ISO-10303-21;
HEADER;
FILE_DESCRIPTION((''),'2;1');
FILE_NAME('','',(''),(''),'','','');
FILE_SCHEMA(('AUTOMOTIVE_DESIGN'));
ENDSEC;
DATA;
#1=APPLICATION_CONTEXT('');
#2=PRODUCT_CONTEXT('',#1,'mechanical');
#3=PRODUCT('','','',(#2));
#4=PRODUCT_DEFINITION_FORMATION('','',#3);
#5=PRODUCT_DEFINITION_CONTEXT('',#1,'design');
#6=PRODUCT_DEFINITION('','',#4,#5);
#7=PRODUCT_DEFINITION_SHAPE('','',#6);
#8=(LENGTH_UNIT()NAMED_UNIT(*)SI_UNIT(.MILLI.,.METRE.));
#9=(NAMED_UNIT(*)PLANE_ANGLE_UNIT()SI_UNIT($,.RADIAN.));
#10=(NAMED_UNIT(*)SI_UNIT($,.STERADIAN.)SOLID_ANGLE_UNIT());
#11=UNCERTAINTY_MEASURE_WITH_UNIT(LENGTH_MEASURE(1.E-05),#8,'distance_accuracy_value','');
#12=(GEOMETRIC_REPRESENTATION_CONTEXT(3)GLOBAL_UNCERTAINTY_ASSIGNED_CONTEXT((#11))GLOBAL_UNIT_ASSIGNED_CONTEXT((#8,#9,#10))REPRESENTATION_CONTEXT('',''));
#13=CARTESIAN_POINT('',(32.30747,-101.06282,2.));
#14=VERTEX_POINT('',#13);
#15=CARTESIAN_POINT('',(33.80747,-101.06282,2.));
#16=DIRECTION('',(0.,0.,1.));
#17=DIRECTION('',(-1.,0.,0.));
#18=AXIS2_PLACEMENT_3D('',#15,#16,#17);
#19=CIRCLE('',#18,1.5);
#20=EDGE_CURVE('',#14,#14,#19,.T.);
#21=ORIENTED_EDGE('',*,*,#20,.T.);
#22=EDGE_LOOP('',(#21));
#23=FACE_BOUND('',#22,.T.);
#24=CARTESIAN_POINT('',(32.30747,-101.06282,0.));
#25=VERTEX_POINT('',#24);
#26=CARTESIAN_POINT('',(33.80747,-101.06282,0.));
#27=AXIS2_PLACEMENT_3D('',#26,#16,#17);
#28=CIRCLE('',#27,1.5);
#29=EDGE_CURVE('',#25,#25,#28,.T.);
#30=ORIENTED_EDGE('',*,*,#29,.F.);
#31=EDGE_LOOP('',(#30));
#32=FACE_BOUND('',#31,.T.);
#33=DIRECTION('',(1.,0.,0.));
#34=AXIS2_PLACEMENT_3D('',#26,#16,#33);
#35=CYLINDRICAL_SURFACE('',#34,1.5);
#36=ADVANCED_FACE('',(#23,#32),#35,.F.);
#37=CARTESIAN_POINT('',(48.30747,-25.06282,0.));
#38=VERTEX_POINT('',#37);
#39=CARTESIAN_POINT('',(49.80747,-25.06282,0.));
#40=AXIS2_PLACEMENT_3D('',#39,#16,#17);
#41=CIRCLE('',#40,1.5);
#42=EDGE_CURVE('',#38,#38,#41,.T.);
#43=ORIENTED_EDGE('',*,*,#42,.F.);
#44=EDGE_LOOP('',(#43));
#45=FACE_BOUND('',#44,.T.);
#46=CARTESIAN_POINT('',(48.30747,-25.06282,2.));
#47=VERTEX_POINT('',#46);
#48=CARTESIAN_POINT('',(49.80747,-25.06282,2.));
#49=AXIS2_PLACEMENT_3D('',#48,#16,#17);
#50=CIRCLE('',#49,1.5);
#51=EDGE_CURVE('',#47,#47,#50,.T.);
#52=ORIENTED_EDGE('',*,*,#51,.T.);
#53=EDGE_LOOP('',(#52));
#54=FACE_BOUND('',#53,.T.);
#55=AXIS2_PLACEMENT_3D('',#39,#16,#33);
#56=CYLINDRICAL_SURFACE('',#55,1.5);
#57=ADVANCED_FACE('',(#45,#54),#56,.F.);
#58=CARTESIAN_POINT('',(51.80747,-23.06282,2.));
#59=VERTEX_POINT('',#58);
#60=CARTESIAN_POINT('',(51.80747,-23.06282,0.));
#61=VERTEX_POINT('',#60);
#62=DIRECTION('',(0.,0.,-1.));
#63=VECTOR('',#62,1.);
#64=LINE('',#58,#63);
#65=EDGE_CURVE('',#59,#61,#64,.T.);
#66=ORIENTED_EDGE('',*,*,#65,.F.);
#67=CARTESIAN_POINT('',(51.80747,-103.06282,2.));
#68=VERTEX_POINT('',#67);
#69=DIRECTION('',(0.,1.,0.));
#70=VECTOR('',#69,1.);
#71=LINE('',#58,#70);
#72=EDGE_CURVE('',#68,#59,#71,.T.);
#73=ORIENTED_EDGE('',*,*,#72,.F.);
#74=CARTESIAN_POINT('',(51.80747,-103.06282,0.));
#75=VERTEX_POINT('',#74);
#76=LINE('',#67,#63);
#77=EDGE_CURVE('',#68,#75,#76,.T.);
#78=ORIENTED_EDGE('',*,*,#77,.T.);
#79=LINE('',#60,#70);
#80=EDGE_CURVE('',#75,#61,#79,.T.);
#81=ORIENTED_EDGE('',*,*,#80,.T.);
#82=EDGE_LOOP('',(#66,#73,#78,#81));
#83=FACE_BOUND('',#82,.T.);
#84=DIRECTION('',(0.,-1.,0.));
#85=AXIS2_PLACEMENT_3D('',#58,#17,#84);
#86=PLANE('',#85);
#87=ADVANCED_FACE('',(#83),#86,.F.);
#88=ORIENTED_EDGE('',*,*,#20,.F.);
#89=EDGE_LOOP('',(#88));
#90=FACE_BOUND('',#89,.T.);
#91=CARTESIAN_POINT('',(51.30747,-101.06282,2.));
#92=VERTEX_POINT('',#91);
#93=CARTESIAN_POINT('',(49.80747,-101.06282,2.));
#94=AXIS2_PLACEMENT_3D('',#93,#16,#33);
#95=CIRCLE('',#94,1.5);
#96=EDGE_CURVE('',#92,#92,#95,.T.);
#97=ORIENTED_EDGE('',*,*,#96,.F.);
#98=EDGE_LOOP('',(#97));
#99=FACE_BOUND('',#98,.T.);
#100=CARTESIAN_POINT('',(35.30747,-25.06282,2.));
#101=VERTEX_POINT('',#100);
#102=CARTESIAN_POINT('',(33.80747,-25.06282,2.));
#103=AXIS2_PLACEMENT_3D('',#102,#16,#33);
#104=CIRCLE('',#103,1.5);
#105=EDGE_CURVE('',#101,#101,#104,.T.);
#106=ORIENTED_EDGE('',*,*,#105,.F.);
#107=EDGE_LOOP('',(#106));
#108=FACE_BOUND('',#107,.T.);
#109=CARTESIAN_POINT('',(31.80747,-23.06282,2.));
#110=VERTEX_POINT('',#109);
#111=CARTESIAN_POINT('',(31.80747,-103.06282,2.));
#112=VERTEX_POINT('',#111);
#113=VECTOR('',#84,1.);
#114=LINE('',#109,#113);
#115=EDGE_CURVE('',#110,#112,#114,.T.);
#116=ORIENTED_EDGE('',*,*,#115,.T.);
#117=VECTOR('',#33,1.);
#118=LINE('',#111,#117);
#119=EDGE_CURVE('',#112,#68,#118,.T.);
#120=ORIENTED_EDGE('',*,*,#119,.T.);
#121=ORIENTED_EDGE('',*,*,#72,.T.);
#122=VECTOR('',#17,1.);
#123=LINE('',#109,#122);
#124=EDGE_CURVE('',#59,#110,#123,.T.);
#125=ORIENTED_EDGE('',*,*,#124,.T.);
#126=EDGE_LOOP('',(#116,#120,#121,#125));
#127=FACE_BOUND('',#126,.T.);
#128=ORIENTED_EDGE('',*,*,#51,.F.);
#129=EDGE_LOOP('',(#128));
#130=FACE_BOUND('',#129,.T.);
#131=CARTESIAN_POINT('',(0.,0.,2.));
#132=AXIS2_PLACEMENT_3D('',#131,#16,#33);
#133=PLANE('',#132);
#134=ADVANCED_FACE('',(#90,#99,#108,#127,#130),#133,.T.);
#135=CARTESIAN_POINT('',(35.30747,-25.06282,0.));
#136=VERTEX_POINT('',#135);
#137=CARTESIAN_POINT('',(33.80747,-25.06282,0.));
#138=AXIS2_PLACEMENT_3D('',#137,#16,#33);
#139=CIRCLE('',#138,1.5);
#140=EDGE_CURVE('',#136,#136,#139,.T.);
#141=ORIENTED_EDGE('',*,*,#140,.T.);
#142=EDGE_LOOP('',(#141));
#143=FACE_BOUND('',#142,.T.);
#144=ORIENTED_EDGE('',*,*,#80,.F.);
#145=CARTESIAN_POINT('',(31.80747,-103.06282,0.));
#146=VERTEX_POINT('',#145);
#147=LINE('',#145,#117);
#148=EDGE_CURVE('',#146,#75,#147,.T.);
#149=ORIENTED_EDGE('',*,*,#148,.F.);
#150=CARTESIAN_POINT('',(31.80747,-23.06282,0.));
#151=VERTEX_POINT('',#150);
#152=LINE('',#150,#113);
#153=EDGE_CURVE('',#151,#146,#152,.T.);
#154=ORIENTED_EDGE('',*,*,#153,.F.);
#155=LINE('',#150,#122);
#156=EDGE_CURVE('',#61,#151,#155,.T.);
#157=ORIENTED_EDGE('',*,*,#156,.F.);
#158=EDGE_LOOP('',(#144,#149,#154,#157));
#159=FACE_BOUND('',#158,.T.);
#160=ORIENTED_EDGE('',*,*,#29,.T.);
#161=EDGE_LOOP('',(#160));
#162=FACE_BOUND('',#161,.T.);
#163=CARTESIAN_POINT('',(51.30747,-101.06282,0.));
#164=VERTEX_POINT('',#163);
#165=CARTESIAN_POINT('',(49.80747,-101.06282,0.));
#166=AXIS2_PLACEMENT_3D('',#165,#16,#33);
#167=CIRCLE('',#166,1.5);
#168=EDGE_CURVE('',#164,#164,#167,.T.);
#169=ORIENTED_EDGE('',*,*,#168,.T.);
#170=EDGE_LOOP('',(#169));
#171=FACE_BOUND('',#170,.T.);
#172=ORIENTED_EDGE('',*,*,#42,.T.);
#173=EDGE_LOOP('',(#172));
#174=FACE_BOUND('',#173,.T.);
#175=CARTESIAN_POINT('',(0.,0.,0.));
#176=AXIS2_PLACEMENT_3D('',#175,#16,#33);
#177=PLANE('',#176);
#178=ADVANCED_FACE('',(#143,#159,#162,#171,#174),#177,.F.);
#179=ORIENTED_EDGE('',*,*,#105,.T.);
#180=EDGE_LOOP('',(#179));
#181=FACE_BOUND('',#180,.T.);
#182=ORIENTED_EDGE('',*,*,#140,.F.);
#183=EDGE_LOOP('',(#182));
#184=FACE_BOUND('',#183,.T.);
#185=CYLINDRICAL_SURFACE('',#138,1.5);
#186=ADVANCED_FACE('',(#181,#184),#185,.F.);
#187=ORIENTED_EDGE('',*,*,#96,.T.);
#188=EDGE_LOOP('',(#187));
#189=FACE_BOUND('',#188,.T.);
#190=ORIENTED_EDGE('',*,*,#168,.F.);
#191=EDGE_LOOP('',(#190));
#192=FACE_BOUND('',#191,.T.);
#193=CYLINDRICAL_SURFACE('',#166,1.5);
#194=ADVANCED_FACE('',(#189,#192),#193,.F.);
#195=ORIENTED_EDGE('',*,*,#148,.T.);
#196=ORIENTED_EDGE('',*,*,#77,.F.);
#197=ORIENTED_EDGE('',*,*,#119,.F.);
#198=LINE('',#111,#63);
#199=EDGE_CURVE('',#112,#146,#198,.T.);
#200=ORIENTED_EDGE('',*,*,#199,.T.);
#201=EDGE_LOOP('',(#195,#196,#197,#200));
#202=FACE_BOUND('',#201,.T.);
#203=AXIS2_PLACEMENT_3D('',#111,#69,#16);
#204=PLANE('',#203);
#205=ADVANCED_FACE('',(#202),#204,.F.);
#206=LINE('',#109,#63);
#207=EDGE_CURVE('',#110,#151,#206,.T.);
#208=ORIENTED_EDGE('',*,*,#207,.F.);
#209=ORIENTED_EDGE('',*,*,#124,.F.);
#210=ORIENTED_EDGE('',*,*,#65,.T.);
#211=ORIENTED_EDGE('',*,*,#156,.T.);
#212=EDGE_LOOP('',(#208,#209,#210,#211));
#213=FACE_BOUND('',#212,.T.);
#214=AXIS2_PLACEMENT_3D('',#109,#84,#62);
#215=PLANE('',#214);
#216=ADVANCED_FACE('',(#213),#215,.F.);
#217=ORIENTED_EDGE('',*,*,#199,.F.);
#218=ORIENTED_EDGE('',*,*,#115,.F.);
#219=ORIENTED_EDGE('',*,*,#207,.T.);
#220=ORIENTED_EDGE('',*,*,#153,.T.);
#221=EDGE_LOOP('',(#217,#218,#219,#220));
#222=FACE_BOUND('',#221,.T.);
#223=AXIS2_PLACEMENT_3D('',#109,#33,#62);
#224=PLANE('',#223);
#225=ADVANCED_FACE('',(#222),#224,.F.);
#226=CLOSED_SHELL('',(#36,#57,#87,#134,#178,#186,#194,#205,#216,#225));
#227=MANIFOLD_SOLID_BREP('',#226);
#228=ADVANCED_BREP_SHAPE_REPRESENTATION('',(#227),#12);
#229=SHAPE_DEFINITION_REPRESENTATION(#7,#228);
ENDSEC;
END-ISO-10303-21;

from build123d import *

# Parameters (mm, degrees)
SKETCH1_W           = 20
SKETCH1_H           = 80
BOSS_EXTRUDE1_DEPTH = 2
SKETCH2_R           = 1.5
CUT_EXTRUDE1_DEPTH  = 2


with BuildPart() as part:
    # Sketch1 → Boss-Extrude1 (new body)
    with BuildSketch(Plane.XY):
        with Locations((41.807469586, -63.062820491)):
            Rectangle(SKETCH1_W, SKETCH1_H)
    extrude(amount=BOSS_EXTRUDE1_DEPTH)

    # Sketch2 → Cut-Extrude1 (cut)
    with BuildSketch(Plane.XY.offset(2)):
        with Locations((33.807469586, -25.062820491)):
            Circle(SKETCH2_R)
        with Locations(Location((49.807469586, -25.062820491, 0), (0, 0, 180))):
            Circle(SKETCH2_R)
        with Locations(Location((33.807469586, -101.062820491, 0), (0, 0, 180))):
            Circle(SKETCH2_R)
        with Locations((49.807469586, -101.062820491)):
            Circle(SKETCH2_R)
    extrude(amount=-CUT_EXTRUDE1_DEPTH, mode=Mode.SUBTRACT)


solid = part.part
